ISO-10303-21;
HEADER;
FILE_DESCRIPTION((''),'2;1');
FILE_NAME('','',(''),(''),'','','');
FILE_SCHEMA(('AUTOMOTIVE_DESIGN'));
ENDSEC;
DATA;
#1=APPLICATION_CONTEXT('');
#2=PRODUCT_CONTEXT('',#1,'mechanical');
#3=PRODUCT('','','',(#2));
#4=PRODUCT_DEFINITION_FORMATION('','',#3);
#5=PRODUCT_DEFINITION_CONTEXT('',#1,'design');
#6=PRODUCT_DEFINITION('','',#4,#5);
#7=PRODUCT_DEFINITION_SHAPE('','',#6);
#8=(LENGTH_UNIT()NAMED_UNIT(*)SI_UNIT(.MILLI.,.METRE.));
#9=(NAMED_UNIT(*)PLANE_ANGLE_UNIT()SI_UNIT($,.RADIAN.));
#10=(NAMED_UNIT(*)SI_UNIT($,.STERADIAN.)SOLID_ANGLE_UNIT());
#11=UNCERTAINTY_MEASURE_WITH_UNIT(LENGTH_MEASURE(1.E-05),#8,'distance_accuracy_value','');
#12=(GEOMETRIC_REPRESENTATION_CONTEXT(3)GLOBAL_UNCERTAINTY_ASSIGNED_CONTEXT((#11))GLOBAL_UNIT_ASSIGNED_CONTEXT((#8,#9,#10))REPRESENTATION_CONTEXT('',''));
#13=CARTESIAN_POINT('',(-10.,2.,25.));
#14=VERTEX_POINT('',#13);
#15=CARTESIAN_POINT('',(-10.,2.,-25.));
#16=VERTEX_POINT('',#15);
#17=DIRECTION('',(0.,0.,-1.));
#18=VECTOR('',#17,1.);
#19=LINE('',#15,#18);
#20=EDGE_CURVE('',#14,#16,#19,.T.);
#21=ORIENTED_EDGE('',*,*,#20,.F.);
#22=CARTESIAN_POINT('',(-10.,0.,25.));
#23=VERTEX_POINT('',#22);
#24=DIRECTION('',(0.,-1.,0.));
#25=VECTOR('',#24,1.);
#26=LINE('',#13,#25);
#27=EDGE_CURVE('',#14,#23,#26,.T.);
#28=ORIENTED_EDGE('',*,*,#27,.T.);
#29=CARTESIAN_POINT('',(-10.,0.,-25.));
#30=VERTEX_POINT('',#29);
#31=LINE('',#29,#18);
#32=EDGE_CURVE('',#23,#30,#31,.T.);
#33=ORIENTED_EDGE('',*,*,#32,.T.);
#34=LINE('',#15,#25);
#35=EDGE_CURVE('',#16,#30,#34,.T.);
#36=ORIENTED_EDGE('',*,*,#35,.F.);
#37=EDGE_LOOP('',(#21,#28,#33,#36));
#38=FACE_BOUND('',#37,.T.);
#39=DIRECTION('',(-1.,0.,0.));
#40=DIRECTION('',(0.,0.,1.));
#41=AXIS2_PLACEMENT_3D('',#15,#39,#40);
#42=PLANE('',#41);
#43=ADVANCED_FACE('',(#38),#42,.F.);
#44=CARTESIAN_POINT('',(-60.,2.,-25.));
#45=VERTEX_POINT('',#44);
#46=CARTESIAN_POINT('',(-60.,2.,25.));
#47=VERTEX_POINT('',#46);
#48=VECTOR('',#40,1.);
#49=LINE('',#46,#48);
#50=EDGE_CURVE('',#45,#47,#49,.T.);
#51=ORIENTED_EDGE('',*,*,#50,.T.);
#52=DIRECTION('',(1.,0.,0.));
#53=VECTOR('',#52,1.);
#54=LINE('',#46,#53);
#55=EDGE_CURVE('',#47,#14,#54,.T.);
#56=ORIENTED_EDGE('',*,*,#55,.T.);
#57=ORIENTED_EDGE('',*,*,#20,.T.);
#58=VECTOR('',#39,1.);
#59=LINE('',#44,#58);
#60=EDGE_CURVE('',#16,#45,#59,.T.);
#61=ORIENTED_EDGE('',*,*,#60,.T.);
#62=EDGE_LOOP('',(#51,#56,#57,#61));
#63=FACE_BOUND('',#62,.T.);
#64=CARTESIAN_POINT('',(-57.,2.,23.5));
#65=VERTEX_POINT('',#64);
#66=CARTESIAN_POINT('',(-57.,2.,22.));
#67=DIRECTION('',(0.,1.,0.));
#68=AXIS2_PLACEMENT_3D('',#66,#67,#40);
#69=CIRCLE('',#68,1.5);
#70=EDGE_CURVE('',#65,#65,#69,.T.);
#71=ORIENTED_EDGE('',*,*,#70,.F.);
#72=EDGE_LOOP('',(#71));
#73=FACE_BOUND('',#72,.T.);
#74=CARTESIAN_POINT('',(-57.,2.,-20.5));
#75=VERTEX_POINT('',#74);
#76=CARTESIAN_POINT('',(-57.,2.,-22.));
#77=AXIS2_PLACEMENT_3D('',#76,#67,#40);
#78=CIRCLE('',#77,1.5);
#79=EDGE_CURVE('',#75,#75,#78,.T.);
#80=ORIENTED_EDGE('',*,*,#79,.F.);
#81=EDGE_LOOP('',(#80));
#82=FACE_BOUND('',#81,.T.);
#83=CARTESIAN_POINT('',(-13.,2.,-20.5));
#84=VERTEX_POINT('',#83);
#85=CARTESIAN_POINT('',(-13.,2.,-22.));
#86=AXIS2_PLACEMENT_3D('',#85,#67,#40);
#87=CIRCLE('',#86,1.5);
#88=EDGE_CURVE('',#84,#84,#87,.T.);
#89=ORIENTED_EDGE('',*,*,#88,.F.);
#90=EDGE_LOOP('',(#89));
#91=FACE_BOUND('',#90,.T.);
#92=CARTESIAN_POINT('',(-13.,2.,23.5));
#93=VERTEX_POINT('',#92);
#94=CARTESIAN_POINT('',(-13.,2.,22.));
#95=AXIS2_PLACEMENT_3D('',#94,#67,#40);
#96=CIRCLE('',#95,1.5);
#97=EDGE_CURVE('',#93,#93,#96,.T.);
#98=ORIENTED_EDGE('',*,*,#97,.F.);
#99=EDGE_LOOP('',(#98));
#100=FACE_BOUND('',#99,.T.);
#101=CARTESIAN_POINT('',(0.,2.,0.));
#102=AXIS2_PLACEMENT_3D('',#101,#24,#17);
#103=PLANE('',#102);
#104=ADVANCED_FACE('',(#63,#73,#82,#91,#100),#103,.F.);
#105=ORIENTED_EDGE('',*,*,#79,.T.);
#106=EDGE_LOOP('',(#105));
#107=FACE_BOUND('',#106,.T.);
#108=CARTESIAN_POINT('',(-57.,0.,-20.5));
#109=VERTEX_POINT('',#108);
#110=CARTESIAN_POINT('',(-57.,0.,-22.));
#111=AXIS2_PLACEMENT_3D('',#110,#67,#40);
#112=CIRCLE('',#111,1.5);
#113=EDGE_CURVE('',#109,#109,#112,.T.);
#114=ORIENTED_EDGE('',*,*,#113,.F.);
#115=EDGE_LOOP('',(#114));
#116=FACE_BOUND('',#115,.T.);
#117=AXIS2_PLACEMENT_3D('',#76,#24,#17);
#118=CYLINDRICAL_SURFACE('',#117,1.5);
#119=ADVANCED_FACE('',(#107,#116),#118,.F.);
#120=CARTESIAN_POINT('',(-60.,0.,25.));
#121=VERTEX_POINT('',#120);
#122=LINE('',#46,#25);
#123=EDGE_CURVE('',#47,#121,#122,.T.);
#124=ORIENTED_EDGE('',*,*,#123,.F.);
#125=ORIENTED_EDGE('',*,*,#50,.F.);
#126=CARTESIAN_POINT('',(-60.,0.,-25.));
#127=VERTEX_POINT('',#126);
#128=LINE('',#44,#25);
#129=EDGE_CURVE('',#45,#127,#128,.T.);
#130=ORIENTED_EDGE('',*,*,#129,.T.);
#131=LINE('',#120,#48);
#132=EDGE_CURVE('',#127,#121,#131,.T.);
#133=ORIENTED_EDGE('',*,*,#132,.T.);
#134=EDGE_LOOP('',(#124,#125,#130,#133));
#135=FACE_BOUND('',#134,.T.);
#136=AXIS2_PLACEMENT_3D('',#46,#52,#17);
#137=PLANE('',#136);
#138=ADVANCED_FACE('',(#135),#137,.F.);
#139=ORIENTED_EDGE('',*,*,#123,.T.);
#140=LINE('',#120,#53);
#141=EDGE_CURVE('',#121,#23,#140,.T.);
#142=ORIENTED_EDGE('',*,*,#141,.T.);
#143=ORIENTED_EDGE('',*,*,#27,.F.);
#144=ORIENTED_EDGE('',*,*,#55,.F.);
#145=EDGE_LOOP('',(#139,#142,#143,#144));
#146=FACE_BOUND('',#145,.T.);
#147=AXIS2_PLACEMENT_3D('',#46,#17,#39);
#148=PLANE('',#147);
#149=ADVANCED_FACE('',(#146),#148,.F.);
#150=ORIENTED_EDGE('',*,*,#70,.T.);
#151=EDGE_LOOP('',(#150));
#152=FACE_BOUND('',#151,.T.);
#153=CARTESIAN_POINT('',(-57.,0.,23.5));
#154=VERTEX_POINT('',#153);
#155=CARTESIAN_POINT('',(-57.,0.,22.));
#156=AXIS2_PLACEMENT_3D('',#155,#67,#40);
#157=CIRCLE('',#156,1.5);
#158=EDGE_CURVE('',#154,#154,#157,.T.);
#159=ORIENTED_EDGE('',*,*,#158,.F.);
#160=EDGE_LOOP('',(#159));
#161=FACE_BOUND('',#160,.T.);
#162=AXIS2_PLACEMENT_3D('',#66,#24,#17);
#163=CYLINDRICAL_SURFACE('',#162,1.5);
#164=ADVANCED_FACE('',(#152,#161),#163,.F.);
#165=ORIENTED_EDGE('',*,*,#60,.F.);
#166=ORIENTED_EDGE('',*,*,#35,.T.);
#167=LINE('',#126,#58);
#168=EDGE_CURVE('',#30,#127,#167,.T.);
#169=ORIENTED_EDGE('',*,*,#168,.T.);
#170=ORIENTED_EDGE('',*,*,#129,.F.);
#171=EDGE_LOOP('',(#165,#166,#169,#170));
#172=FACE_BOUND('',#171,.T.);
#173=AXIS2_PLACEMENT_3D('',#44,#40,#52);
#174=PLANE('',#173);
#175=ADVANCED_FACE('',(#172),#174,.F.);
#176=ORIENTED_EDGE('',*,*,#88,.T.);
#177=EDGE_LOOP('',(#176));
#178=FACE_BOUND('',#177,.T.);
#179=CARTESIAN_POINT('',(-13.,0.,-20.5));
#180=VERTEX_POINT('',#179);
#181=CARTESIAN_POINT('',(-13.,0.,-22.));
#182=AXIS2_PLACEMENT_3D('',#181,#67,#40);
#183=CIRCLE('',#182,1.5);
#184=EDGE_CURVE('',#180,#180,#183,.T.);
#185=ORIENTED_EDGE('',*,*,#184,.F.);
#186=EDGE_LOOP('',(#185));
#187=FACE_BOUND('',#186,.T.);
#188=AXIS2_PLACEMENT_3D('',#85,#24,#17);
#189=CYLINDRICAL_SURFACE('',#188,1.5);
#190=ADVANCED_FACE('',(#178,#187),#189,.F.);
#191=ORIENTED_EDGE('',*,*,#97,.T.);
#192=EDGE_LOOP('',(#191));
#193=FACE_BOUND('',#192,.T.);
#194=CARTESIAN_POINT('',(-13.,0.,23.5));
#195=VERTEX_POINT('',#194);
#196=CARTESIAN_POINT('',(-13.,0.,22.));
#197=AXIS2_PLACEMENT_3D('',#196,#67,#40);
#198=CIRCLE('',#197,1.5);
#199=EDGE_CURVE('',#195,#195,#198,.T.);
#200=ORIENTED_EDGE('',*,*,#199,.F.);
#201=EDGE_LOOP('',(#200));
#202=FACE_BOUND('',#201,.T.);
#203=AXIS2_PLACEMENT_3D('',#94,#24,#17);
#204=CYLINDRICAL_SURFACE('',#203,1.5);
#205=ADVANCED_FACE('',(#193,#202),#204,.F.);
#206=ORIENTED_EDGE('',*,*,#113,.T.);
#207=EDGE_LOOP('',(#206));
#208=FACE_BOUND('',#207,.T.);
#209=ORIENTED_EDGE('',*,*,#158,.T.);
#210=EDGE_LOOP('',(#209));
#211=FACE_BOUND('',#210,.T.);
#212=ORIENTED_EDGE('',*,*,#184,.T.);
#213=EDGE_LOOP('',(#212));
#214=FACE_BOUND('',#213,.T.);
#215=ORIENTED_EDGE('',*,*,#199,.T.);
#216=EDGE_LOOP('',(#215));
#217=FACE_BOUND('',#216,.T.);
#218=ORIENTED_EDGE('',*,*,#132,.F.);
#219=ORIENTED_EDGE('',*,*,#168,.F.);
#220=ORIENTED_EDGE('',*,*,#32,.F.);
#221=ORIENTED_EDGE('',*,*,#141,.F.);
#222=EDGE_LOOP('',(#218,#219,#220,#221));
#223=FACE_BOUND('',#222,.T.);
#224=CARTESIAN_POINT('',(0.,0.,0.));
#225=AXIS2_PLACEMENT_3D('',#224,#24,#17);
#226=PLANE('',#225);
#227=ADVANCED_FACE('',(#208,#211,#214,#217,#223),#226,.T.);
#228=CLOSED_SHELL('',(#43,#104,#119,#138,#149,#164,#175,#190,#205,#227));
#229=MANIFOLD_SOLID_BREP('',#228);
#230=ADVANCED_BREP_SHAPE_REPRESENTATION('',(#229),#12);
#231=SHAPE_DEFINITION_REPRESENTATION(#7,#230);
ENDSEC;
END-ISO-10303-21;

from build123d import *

# Parameters (mm, degrees)
CROQUIS1_W              = 50
CROQUIS1_H              = 50
CROQUIS1_R              = 1.5
SALIENTE_EXTRUIR4_DEPTH = 2


with BuildPart() as part:
    # Croquis1 → Saliente-Extruir4 (new body)
    with BuildSketch(Plane(origin=(0, 0, 0), x_dir=(1, 0, 0), z_dir=(0, 1, 0))):
        with Locations((-35, 0)):
            Rectangle(CROQUIS1_W, CROQUIS1_H)
        with Locations((-57, -22)):
            Circle(CROQUIS1_R, mode=Mode.SUBTRACT)
        with Locations((-13, -22)):
            Circle(CROQUIS1_R, mode=Mode.SUBTRACT)
        with Locations((-13, 22)):
            Circle(CROQUIS1_R, mode=Mode.SUBTRACT)
        with Locations((-57, 22)):
            Circle(CROQUIS1_R, mode=Mode.SUBTRACT)
    extrude(amount=SALIENTE_EXTRUIR4_DEPTH)


solid = part.part
